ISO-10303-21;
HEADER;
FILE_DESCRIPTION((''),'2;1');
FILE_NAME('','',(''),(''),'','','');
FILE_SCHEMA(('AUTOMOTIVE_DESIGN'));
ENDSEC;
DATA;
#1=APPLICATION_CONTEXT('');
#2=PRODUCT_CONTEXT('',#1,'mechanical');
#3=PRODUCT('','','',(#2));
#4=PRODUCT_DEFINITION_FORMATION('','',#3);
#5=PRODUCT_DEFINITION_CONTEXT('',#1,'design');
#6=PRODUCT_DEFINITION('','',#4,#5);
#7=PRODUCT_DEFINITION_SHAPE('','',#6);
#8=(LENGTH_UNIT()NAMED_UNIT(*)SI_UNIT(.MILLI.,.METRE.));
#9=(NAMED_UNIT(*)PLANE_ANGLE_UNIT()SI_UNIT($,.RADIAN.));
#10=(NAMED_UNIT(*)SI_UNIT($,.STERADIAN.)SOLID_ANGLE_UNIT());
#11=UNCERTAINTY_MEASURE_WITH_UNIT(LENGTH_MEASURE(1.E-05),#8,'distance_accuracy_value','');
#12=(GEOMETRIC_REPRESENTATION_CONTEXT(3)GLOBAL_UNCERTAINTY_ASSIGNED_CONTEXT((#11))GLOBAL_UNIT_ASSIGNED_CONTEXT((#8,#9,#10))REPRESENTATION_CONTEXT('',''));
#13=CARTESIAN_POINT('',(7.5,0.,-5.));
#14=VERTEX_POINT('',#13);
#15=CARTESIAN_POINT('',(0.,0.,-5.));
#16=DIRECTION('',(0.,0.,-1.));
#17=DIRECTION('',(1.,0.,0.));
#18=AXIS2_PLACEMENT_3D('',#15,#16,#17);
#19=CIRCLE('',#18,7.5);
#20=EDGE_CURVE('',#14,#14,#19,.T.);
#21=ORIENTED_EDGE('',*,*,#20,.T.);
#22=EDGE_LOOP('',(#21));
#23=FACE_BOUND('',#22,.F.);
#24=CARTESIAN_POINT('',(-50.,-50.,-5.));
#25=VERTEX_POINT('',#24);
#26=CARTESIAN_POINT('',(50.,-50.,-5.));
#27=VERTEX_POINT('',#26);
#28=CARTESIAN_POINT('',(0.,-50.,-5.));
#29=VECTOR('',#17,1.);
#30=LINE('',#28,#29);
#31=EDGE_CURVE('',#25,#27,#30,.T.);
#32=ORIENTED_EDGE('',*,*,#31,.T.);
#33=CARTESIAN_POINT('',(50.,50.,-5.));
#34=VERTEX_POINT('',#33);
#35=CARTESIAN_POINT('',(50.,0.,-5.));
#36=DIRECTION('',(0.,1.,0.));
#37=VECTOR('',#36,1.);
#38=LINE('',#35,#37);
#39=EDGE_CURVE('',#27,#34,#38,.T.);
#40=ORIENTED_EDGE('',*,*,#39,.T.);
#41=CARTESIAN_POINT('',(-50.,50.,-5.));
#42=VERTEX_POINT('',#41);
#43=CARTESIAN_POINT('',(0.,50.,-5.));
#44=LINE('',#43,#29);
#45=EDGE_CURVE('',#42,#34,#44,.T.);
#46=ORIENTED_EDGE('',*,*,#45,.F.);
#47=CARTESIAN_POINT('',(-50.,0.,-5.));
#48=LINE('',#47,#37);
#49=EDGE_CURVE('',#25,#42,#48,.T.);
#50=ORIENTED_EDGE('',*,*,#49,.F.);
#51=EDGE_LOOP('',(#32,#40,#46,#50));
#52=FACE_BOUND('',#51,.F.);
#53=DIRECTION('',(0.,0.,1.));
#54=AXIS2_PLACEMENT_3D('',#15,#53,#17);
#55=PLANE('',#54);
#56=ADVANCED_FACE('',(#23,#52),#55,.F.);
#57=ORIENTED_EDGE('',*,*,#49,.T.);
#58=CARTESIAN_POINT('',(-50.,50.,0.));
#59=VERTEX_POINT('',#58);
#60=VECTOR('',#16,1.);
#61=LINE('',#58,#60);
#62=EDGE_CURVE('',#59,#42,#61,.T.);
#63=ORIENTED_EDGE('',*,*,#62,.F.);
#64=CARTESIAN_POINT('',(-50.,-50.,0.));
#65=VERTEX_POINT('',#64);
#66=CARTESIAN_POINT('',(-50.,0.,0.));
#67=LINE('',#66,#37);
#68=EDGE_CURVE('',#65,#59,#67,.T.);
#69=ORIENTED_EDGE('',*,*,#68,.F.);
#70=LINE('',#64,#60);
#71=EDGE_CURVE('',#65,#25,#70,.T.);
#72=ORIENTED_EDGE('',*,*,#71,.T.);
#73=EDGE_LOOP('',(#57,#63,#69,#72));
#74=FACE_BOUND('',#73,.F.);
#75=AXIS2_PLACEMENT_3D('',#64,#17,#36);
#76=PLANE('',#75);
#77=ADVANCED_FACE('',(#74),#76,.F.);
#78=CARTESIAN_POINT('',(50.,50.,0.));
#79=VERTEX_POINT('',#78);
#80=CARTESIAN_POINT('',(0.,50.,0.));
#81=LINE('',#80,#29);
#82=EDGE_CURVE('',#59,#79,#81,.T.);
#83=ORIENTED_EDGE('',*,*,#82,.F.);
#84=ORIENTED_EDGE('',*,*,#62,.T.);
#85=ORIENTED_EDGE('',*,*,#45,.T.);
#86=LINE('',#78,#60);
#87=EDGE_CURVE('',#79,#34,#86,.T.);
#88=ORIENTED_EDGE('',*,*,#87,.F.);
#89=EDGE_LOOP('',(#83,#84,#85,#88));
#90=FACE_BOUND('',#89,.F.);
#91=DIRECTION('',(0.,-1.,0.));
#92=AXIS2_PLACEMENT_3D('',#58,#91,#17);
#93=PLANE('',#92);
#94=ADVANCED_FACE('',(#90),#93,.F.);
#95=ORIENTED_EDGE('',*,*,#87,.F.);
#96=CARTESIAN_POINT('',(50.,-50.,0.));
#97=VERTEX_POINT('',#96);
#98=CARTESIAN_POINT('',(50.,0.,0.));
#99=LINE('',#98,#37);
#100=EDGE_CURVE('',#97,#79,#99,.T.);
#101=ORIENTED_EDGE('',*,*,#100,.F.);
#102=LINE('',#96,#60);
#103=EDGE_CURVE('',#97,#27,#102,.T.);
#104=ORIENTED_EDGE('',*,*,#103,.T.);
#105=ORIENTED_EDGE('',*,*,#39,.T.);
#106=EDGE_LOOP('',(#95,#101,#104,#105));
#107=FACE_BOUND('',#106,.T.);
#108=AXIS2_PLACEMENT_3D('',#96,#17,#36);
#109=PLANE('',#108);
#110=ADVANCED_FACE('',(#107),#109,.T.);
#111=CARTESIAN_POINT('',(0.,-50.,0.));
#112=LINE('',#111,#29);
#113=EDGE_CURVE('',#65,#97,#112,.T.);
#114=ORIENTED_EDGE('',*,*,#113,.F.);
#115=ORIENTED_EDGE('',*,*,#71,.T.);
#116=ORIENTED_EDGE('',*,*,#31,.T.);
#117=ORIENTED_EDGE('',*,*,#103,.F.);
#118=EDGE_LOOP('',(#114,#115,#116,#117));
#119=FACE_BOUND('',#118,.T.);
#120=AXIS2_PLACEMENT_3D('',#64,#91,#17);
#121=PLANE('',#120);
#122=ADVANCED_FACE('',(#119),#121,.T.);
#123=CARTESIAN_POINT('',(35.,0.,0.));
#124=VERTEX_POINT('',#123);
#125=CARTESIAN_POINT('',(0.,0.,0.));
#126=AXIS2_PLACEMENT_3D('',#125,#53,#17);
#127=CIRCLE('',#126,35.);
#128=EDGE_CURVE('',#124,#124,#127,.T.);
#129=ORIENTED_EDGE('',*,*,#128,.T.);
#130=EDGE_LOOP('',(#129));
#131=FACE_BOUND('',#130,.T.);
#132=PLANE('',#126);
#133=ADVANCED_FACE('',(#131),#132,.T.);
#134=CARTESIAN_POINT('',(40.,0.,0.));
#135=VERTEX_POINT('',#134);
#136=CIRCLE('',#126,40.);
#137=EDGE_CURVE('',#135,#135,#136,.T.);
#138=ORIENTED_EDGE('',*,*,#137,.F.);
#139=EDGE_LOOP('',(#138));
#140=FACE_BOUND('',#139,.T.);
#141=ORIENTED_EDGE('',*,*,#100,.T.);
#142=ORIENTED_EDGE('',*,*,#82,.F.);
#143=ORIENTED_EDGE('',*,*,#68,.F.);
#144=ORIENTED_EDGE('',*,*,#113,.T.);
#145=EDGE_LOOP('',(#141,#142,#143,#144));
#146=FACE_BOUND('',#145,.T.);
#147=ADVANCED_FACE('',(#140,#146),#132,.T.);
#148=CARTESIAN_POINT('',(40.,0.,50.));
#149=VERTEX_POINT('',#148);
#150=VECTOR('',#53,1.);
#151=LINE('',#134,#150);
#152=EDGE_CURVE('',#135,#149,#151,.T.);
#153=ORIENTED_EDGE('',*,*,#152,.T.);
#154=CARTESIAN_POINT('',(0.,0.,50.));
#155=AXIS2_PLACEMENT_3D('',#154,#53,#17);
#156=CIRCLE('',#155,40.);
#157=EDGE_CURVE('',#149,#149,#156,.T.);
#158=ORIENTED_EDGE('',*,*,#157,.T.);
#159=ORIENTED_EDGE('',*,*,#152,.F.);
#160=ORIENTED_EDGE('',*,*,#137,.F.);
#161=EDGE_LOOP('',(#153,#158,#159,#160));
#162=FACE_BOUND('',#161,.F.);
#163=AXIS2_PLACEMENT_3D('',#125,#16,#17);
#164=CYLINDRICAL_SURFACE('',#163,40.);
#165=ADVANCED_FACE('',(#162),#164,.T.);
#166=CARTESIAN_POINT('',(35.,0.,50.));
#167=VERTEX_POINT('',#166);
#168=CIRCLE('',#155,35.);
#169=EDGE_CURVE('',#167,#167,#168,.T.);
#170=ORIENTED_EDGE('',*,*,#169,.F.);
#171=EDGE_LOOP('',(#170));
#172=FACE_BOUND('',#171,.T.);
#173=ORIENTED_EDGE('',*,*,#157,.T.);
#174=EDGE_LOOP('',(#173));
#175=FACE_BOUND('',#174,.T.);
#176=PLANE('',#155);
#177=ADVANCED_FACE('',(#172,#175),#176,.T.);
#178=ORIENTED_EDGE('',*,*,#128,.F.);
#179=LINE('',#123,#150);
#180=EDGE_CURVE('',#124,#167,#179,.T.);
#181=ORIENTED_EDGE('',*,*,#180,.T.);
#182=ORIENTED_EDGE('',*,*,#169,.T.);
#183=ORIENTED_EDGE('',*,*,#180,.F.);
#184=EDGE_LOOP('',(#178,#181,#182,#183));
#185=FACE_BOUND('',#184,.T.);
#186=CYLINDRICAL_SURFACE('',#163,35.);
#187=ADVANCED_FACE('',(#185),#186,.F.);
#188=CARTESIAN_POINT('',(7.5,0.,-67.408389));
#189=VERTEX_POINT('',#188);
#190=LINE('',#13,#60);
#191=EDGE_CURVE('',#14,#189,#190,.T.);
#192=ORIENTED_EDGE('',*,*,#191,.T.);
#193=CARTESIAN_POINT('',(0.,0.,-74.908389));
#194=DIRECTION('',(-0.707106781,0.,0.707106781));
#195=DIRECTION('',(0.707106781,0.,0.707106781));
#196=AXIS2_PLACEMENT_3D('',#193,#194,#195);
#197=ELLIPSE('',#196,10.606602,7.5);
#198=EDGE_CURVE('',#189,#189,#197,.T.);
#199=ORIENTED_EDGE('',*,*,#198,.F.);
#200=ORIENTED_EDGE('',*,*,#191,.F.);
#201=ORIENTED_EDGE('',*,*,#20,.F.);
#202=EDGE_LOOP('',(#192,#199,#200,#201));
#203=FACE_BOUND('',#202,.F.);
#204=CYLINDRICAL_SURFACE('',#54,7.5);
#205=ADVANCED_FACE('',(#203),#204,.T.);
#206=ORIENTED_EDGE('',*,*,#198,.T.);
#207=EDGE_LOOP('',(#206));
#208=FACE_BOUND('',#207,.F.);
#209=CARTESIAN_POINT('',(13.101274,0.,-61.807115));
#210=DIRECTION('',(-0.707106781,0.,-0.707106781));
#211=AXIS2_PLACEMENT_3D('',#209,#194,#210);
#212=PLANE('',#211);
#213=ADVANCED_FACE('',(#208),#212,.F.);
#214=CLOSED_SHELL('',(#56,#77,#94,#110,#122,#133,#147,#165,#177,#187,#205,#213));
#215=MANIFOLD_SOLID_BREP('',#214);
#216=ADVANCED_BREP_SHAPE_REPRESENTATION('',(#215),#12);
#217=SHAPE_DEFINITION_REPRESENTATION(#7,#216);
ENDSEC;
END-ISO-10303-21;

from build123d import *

# Parameters (mm, degrees)
F0_W     = 100
F0_H     = 100
F0_R     = 40
F0_R_2   = 35
F1_DEPTH = 5
F2_DEPTH = 50
F3_R     = 7.5
F4_DEPTH = 80
F6_DEPTH = 25


with BuildPart() as f1:
    # F0 (on Top) → F1 (new body)
    with BuildSketch(Plane.XY):
        Rectangle(F0_W, F0_H)
        Circle(F0_R, mode=Mode.SUBTRACT)
        Circle(F0_R)
        Circle(F0_R_2, mode=Mode.SUBTRACT)
        Circle(F0_R_2)
    extrude(amount=-F1_DEPTH)

    # F0 (on Top) → F2 (join)
    with BuildSketch(Plane.XY):
        Circle(F0_R)
        Circle(F0_R_2, mode=Mode.SUBTRACT)
    extrude(amount=F2_DEPTH)

    # F3 (on face) → F4 (join)
    with BuildSketch(Plane(origin=(0, 0, -5), x_dir=(1, 0, 0), z_dir=(0, 0, -1))):
        Circle(F3_R)
    extrude(amount=F4_DEPTH)


with BuildPart() as f6:
    # F5 (on Front) → F6 (new body, symmetric)
    with BuildSketch(Plane.XZ):
        Polygon((13.101274, -90.236664), (13.101274, -61.807115), (-15.328275, -90.236664), align=None)
    extrude(amount=F6_DEPTH, both=True)


with BuildPart() as f1_1:
    add(f1.part)

    # F7: cut F6
    add(f6.part, mode=Mode.SUBTRACT)


solid = f1_1.part
